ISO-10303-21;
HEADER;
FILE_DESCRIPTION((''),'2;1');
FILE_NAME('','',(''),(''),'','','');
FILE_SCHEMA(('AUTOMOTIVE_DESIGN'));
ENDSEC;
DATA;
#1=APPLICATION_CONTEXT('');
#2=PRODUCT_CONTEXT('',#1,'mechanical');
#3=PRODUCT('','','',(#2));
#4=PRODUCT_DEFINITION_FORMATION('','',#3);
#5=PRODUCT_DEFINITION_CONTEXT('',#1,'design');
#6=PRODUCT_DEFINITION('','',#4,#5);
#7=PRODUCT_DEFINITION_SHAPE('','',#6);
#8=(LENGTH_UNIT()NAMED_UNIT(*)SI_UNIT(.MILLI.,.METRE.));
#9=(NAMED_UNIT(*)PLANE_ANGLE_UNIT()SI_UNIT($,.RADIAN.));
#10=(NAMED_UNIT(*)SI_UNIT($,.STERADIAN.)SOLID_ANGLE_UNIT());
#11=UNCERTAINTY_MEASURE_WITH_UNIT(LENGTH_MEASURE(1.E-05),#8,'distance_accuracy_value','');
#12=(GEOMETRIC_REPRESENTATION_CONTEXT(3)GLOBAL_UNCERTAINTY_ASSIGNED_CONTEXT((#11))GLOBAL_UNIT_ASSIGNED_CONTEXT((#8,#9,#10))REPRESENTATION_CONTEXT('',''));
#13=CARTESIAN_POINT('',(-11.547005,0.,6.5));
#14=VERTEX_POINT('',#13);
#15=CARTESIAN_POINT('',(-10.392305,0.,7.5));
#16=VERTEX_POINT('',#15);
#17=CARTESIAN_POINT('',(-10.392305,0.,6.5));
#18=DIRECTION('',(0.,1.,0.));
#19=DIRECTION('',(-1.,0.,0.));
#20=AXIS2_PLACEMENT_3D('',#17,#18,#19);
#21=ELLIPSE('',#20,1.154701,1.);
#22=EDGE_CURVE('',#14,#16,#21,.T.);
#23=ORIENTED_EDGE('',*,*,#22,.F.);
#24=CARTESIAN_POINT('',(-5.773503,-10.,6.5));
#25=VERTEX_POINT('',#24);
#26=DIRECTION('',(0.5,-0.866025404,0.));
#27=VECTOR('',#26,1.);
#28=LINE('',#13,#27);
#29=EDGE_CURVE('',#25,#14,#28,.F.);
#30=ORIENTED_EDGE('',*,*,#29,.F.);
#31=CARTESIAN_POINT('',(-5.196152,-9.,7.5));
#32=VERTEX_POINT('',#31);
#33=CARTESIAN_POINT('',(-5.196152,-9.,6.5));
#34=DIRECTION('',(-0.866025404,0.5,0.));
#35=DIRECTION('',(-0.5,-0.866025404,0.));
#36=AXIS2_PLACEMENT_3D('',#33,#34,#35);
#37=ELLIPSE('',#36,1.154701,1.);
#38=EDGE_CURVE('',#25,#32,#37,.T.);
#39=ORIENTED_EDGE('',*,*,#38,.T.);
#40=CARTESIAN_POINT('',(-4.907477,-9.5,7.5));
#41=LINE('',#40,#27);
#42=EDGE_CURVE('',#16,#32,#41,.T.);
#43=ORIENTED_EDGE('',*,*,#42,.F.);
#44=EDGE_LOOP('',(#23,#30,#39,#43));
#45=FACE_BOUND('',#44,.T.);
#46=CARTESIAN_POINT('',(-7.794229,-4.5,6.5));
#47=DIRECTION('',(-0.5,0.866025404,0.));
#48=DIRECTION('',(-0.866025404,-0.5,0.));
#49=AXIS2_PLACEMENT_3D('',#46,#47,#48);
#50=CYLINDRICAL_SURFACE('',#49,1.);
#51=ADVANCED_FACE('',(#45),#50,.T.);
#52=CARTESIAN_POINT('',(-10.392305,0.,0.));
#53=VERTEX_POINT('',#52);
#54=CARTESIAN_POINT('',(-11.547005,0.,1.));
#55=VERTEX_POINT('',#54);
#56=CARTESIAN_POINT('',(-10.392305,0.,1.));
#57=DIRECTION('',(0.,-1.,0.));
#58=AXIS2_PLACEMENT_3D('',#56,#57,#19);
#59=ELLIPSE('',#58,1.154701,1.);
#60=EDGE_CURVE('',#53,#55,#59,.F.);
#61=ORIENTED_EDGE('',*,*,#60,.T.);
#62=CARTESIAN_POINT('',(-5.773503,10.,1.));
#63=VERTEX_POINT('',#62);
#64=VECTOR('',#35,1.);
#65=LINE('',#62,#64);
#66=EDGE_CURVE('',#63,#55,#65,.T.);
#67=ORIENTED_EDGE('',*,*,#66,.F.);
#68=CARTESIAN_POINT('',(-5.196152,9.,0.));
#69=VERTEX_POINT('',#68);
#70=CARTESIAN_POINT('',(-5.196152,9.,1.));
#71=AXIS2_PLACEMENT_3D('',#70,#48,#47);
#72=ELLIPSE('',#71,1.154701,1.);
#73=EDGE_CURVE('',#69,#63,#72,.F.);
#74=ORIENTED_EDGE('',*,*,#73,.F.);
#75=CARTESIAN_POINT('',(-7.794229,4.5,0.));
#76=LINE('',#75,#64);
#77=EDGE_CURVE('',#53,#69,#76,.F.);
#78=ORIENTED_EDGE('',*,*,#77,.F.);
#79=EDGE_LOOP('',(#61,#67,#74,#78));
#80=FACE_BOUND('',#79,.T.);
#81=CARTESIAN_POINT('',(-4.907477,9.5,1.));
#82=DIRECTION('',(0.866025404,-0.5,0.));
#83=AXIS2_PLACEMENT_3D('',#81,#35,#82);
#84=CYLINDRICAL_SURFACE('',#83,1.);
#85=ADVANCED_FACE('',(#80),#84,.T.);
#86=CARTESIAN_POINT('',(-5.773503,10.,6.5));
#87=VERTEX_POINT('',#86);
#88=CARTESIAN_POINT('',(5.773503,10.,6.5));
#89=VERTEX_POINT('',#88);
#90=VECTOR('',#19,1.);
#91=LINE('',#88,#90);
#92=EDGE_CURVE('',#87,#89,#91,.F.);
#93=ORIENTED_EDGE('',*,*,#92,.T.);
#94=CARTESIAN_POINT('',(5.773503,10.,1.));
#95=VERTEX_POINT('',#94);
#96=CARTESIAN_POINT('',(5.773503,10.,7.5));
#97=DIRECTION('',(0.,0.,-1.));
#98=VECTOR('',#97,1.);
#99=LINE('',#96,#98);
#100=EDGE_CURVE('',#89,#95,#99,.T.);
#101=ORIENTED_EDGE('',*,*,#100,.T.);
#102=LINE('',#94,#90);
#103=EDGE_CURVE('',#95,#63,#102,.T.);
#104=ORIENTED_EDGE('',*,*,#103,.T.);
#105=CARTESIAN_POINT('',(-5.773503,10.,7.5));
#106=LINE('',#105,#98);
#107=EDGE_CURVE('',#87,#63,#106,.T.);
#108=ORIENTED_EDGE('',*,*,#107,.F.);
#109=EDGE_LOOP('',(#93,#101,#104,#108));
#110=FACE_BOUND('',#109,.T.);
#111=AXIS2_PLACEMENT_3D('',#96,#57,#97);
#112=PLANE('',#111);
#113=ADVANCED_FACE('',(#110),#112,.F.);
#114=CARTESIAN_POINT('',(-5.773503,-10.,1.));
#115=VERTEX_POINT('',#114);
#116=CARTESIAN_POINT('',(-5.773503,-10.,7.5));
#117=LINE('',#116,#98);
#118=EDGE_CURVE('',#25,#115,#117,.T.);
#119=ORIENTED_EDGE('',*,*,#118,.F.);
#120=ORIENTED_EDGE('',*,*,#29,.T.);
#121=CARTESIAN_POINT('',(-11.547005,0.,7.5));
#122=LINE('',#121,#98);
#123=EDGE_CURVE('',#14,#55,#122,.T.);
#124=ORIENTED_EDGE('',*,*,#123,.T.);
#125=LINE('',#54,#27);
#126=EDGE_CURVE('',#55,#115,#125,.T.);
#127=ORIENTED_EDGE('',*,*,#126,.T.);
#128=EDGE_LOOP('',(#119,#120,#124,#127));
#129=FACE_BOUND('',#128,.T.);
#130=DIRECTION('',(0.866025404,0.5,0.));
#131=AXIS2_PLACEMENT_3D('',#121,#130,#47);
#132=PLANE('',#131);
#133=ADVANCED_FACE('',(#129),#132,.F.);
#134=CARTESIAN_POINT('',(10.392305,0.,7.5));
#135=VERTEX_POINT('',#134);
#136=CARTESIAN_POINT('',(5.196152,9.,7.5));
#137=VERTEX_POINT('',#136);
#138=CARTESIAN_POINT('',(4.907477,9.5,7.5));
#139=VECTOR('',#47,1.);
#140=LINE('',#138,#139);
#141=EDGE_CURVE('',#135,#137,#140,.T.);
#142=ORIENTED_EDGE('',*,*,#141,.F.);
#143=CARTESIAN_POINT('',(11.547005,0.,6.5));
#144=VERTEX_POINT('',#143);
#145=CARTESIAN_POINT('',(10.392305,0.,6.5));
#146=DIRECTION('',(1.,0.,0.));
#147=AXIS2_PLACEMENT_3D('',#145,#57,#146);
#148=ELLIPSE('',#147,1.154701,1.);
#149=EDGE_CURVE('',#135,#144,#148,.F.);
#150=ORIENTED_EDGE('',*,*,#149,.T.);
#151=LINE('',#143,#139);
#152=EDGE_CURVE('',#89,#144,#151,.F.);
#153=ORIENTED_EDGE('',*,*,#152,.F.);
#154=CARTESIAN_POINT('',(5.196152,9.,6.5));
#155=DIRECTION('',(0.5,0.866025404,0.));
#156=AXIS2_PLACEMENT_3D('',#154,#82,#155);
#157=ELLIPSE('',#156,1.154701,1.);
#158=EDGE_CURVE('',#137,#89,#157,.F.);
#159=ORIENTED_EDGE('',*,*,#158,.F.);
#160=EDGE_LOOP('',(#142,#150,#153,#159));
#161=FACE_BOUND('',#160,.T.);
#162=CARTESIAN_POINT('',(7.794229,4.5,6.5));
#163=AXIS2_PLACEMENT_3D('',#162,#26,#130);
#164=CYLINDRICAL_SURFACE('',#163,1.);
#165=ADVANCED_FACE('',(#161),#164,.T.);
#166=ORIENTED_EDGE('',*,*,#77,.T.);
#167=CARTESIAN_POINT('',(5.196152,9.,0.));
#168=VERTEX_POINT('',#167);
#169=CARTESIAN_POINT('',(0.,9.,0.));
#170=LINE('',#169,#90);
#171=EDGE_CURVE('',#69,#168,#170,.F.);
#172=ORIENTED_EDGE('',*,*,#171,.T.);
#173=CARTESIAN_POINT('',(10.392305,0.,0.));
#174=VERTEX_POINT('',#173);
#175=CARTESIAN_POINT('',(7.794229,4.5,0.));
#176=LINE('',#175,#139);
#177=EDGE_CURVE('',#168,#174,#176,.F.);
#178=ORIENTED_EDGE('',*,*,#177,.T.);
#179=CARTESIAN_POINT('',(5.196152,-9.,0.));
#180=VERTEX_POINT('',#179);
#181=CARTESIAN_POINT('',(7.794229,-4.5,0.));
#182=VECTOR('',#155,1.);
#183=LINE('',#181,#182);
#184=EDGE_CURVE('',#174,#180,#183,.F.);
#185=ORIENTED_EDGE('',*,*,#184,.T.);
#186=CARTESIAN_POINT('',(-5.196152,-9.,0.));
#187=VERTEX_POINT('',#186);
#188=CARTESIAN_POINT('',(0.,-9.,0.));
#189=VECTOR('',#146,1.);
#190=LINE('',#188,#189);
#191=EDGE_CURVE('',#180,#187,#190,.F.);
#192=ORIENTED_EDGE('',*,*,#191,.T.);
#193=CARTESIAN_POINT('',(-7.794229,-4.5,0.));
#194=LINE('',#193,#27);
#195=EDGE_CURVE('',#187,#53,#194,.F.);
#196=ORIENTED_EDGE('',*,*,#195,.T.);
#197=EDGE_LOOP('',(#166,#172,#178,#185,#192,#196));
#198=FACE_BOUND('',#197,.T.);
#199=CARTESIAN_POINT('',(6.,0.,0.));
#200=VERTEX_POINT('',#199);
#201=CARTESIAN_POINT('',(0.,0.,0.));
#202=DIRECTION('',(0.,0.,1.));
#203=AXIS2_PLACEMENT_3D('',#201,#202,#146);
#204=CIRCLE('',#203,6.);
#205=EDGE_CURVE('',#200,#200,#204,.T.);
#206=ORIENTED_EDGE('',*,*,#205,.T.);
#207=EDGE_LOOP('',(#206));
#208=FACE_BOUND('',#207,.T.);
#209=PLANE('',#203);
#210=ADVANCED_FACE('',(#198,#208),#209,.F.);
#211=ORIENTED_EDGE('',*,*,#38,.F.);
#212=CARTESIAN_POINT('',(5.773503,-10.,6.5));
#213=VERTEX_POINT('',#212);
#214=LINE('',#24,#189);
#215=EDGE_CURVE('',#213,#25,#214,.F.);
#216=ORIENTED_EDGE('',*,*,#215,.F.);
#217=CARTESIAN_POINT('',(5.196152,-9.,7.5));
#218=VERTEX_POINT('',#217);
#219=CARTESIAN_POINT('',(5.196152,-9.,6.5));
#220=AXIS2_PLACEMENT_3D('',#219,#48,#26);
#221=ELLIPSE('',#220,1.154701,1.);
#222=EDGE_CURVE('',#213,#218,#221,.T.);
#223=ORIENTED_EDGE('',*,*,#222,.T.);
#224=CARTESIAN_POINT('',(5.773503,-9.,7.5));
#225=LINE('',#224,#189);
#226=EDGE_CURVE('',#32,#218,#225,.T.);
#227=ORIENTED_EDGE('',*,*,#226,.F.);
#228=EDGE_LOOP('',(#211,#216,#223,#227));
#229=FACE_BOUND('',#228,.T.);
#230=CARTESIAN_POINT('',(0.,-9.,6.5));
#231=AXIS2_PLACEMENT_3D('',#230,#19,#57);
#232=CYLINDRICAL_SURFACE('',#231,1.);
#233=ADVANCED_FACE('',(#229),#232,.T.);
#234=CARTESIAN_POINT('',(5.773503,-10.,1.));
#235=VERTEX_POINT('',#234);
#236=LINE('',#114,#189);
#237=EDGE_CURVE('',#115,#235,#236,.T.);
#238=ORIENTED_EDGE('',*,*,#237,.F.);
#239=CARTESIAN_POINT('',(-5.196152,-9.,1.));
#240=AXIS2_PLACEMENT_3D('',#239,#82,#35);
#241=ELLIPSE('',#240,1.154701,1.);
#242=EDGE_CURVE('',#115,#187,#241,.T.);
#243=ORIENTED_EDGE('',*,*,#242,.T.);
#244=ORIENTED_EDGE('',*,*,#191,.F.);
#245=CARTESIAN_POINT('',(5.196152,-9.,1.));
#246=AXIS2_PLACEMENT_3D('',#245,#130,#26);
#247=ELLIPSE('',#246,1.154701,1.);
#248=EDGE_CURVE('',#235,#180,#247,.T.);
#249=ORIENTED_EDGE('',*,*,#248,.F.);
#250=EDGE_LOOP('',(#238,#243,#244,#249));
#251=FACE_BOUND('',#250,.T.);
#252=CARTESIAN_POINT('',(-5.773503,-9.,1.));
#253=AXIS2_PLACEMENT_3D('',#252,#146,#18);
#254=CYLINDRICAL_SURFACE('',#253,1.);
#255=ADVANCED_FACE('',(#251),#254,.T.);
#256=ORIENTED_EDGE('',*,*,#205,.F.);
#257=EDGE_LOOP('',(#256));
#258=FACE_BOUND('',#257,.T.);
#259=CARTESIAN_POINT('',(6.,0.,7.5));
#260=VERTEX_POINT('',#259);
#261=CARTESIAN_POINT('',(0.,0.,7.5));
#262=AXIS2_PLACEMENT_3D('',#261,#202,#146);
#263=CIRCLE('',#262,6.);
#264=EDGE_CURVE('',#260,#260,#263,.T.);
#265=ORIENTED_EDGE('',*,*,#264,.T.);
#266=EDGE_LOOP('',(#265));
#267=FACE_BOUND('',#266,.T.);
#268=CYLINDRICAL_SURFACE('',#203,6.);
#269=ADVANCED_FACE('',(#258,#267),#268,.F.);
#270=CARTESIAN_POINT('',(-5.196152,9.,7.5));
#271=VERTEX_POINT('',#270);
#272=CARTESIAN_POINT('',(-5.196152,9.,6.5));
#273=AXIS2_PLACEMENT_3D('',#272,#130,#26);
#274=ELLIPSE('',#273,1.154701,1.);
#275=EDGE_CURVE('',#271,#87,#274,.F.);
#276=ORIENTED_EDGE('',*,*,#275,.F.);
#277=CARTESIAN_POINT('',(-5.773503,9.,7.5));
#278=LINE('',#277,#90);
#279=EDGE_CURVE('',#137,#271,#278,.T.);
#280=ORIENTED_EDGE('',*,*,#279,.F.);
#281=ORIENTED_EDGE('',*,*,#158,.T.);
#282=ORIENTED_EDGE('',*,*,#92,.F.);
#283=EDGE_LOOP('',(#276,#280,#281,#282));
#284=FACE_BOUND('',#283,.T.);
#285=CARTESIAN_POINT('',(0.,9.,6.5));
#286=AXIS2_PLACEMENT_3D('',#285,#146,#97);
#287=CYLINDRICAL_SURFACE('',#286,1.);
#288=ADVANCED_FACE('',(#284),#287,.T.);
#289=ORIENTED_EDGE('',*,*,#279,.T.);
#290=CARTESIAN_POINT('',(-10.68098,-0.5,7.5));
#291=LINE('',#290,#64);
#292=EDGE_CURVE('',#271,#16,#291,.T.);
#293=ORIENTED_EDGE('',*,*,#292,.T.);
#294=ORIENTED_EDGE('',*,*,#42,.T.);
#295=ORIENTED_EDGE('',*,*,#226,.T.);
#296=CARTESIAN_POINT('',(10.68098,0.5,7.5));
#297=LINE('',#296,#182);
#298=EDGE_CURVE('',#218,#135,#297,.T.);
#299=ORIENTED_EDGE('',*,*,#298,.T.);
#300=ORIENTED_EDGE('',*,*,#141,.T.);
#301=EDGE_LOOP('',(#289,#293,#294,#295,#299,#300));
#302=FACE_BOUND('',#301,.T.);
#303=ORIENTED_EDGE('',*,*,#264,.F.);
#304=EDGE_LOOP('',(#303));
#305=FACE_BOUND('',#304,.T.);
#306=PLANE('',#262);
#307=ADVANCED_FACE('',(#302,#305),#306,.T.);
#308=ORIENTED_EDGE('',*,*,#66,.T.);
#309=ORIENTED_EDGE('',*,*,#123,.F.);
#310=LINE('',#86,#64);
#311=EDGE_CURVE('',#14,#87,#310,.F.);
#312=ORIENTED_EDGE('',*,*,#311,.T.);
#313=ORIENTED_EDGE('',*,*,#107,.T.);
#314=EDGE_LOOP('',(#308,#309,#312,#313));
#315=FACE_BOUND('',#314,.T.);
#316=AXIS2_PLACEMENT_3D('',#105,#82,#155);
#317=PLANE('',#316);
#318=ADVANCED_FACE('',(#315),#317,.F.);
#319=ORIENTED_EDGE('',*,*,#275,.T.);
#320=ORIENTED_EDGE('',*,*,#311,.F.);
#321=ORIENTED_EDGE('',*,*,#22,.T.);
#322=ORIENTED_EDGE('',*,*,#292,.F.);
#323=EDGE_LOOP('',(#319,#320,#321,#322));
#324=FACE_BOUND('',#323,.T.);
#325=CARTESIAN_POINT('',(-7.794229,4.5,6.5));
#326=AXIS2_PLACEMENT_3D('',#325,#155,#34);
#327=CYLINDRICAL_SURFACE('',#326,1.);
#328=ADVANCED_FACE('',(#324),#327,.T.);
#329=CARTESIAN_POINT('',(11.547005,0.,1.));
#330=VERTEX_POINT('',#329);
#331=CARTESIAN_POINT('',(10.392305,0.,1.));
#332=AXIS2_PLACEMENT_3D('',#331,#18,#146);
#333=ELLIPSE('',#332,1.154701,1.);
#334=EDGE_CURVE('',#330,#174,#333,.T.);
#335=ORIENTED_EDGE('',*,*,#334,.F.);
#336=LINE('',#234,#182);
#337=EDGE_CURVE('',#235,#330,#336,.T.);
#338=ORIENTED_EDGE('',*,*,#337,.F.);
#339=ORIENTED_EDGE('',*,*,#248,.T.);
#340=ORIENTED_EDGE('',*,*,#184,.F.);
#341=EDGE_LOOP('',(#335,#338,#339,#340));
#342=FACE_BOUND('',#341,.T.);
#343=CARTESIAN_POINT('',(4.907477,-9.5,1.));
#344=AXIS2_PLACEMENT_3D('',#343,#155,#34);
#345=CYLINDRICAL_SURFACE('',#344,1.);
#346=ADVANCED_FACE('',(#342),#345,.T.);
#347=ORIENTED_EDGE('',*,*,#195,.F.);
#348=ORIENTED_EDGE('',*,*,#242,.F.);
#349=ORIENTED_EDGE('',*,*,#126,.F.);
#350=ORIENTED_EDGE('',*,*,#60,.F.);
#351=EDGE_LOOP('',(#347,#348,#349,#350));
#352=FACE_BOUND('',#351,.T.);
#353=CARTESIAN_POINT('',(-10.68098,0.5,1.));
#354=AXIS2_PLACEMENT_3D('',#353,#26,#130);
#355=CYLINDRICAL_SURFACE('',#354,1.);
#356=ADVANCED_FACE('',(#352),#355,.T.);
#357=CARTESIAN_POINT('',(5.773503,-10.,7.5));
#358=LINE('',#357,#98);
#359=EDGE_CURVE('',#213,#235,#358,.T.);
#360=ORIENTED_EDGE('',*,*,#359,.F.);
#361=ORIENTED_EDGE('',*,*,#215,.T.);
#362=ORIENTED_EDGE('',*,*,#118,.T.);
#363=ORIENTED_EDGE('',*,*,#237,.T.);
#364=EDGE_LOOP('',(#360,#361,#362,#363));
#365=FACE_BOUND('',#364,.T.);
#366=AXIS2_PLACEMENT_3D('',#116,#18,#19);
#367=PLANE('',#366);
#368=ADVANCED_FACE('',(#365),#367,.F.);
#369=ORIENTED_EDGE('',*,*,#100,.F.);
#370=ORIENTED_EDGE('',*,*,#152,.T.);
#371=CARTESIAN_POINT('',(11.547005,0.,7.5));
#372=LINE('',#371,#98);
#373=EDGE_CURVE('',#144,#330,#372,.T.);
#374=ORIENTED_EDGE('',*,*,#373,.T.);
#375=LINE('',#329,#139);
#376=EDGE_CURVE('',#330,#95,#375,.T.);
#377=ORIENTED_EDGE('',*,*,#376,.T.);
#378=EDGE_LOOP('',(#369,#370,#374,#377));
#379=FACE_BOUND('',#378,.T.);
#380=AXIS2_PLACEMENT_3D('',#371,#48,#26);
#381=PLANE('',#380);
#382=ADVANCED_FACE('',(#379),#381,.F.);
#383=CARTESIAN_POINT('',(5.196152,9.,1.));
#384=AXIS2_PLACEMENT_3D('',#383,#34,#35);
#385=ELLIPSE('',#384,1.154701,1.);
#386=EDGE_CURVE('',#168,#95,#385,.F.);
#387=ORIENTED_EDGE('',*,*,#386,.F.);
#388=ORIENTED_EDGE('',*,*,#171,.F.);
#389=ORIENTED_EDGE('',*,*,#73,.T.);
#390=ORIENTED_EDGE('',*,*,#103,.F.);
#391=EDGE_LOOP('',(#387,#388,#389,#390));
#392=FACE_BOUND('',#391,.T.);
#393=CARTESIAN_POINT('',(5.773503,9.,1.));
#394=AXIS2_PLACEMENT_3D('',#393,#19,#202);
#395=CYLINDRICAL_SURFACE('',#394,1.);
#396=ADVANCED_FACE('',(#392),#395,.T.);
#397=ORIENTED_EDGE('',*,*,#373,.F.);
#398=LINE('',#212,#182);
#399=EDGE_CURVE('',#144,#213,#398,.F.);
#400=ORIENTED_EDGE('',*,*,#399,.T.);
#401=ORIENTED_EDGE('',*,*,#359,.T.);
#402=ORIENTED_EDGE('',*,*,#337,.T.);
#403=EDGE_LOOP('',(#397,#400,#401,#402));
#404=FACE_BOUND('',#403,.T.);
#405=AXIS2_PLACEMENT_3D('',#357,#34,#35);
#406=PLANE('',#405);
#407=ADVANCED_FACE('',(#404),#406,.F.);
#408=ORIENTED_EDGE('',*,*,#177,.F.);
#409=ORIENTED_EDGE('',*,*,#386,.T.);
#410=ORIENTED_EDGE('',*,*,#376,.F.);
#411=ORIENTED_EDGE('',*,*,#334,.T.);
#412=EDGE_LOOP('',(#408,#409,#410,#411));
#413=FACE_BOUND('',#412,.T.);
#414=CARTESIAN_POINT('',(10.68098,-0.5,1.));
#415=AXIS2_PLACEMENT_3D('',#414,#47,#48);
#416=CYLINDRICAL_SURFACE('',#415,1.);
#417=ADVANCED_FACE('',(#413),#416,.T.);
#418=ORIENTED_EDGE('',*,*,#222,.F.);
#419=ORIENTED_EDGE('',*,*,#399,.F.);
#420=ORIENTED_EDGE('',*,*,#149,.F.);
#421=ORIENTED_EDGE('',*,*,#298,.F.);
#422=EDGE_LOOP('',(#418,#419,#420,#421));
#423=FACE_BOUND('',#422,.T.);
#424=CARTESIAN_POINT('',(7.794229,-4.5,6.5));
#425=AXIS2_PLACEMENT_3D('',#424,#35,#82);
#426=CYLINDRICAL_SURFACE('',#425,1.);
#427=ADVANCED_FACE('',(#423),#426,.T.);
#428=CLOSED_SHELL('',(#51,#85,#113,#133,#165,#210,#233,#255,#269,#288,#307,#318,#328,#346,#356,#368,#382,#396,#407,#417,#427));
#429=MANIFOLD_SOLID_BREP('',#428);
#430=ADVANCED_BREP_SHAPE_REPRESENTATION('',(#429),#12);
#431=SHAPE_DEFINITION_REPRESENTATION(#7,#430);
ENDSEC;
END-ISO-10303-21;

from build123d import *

# Parameters (mm, degrees)
EXTRUDE_3_DEPTH     = 7.5
FILLET_3_R          = 1
SKETCH_4_R          = 6
CUT_EXTRUDE_1_DEPTH = 18.017148214


with BuildPart() as part:
    # 草图1 → 凸台-拉伸3 (new body)
    with BuildSketch(Plane.XY):
        Polygon((5.773502692, -10), (11.547005384, 0), (5.773502692, 10), (-5.773502692, 10), (-11.547005384, 0), (-5.773502692, -10), align=None)
    extrude(amount=EXTRUDE_3_DEPTH)

    # 圆角3
    fillet_3_edges = [part.edges().sort_by_distance(p)[0] for p in [
        (8.660254038, 5, 7.5),
        (0, 10, 7.5),
        (-8.660254038, 5, 7.5),
        (-8.660254038, -5, 7.5),
        (0, -10, 7.5),
        (-8.660254038, -5, 0),
        (-8.660254038, 5, 0),
        (0, 10, 0),
        (8.660254038, -5, 7.5),
        (8.660254038, 5, 0),
        (8.660254038, -5, 0),
        (0, -10, 0),
    ]]
    fillet(fillet_3_edges, radius=FILLET_3_R)

    # 草图4 → 切除-拉伸1 (cut, through all)
    with BuildSketch(Plane.XY.offset(7.5)):
        Circle(SKETCH_4_R)
    extrude(amount=-CUT_EXTRUDE_1_DEPTH, mode=Mode.SUBTRACT)


solid = part.part
